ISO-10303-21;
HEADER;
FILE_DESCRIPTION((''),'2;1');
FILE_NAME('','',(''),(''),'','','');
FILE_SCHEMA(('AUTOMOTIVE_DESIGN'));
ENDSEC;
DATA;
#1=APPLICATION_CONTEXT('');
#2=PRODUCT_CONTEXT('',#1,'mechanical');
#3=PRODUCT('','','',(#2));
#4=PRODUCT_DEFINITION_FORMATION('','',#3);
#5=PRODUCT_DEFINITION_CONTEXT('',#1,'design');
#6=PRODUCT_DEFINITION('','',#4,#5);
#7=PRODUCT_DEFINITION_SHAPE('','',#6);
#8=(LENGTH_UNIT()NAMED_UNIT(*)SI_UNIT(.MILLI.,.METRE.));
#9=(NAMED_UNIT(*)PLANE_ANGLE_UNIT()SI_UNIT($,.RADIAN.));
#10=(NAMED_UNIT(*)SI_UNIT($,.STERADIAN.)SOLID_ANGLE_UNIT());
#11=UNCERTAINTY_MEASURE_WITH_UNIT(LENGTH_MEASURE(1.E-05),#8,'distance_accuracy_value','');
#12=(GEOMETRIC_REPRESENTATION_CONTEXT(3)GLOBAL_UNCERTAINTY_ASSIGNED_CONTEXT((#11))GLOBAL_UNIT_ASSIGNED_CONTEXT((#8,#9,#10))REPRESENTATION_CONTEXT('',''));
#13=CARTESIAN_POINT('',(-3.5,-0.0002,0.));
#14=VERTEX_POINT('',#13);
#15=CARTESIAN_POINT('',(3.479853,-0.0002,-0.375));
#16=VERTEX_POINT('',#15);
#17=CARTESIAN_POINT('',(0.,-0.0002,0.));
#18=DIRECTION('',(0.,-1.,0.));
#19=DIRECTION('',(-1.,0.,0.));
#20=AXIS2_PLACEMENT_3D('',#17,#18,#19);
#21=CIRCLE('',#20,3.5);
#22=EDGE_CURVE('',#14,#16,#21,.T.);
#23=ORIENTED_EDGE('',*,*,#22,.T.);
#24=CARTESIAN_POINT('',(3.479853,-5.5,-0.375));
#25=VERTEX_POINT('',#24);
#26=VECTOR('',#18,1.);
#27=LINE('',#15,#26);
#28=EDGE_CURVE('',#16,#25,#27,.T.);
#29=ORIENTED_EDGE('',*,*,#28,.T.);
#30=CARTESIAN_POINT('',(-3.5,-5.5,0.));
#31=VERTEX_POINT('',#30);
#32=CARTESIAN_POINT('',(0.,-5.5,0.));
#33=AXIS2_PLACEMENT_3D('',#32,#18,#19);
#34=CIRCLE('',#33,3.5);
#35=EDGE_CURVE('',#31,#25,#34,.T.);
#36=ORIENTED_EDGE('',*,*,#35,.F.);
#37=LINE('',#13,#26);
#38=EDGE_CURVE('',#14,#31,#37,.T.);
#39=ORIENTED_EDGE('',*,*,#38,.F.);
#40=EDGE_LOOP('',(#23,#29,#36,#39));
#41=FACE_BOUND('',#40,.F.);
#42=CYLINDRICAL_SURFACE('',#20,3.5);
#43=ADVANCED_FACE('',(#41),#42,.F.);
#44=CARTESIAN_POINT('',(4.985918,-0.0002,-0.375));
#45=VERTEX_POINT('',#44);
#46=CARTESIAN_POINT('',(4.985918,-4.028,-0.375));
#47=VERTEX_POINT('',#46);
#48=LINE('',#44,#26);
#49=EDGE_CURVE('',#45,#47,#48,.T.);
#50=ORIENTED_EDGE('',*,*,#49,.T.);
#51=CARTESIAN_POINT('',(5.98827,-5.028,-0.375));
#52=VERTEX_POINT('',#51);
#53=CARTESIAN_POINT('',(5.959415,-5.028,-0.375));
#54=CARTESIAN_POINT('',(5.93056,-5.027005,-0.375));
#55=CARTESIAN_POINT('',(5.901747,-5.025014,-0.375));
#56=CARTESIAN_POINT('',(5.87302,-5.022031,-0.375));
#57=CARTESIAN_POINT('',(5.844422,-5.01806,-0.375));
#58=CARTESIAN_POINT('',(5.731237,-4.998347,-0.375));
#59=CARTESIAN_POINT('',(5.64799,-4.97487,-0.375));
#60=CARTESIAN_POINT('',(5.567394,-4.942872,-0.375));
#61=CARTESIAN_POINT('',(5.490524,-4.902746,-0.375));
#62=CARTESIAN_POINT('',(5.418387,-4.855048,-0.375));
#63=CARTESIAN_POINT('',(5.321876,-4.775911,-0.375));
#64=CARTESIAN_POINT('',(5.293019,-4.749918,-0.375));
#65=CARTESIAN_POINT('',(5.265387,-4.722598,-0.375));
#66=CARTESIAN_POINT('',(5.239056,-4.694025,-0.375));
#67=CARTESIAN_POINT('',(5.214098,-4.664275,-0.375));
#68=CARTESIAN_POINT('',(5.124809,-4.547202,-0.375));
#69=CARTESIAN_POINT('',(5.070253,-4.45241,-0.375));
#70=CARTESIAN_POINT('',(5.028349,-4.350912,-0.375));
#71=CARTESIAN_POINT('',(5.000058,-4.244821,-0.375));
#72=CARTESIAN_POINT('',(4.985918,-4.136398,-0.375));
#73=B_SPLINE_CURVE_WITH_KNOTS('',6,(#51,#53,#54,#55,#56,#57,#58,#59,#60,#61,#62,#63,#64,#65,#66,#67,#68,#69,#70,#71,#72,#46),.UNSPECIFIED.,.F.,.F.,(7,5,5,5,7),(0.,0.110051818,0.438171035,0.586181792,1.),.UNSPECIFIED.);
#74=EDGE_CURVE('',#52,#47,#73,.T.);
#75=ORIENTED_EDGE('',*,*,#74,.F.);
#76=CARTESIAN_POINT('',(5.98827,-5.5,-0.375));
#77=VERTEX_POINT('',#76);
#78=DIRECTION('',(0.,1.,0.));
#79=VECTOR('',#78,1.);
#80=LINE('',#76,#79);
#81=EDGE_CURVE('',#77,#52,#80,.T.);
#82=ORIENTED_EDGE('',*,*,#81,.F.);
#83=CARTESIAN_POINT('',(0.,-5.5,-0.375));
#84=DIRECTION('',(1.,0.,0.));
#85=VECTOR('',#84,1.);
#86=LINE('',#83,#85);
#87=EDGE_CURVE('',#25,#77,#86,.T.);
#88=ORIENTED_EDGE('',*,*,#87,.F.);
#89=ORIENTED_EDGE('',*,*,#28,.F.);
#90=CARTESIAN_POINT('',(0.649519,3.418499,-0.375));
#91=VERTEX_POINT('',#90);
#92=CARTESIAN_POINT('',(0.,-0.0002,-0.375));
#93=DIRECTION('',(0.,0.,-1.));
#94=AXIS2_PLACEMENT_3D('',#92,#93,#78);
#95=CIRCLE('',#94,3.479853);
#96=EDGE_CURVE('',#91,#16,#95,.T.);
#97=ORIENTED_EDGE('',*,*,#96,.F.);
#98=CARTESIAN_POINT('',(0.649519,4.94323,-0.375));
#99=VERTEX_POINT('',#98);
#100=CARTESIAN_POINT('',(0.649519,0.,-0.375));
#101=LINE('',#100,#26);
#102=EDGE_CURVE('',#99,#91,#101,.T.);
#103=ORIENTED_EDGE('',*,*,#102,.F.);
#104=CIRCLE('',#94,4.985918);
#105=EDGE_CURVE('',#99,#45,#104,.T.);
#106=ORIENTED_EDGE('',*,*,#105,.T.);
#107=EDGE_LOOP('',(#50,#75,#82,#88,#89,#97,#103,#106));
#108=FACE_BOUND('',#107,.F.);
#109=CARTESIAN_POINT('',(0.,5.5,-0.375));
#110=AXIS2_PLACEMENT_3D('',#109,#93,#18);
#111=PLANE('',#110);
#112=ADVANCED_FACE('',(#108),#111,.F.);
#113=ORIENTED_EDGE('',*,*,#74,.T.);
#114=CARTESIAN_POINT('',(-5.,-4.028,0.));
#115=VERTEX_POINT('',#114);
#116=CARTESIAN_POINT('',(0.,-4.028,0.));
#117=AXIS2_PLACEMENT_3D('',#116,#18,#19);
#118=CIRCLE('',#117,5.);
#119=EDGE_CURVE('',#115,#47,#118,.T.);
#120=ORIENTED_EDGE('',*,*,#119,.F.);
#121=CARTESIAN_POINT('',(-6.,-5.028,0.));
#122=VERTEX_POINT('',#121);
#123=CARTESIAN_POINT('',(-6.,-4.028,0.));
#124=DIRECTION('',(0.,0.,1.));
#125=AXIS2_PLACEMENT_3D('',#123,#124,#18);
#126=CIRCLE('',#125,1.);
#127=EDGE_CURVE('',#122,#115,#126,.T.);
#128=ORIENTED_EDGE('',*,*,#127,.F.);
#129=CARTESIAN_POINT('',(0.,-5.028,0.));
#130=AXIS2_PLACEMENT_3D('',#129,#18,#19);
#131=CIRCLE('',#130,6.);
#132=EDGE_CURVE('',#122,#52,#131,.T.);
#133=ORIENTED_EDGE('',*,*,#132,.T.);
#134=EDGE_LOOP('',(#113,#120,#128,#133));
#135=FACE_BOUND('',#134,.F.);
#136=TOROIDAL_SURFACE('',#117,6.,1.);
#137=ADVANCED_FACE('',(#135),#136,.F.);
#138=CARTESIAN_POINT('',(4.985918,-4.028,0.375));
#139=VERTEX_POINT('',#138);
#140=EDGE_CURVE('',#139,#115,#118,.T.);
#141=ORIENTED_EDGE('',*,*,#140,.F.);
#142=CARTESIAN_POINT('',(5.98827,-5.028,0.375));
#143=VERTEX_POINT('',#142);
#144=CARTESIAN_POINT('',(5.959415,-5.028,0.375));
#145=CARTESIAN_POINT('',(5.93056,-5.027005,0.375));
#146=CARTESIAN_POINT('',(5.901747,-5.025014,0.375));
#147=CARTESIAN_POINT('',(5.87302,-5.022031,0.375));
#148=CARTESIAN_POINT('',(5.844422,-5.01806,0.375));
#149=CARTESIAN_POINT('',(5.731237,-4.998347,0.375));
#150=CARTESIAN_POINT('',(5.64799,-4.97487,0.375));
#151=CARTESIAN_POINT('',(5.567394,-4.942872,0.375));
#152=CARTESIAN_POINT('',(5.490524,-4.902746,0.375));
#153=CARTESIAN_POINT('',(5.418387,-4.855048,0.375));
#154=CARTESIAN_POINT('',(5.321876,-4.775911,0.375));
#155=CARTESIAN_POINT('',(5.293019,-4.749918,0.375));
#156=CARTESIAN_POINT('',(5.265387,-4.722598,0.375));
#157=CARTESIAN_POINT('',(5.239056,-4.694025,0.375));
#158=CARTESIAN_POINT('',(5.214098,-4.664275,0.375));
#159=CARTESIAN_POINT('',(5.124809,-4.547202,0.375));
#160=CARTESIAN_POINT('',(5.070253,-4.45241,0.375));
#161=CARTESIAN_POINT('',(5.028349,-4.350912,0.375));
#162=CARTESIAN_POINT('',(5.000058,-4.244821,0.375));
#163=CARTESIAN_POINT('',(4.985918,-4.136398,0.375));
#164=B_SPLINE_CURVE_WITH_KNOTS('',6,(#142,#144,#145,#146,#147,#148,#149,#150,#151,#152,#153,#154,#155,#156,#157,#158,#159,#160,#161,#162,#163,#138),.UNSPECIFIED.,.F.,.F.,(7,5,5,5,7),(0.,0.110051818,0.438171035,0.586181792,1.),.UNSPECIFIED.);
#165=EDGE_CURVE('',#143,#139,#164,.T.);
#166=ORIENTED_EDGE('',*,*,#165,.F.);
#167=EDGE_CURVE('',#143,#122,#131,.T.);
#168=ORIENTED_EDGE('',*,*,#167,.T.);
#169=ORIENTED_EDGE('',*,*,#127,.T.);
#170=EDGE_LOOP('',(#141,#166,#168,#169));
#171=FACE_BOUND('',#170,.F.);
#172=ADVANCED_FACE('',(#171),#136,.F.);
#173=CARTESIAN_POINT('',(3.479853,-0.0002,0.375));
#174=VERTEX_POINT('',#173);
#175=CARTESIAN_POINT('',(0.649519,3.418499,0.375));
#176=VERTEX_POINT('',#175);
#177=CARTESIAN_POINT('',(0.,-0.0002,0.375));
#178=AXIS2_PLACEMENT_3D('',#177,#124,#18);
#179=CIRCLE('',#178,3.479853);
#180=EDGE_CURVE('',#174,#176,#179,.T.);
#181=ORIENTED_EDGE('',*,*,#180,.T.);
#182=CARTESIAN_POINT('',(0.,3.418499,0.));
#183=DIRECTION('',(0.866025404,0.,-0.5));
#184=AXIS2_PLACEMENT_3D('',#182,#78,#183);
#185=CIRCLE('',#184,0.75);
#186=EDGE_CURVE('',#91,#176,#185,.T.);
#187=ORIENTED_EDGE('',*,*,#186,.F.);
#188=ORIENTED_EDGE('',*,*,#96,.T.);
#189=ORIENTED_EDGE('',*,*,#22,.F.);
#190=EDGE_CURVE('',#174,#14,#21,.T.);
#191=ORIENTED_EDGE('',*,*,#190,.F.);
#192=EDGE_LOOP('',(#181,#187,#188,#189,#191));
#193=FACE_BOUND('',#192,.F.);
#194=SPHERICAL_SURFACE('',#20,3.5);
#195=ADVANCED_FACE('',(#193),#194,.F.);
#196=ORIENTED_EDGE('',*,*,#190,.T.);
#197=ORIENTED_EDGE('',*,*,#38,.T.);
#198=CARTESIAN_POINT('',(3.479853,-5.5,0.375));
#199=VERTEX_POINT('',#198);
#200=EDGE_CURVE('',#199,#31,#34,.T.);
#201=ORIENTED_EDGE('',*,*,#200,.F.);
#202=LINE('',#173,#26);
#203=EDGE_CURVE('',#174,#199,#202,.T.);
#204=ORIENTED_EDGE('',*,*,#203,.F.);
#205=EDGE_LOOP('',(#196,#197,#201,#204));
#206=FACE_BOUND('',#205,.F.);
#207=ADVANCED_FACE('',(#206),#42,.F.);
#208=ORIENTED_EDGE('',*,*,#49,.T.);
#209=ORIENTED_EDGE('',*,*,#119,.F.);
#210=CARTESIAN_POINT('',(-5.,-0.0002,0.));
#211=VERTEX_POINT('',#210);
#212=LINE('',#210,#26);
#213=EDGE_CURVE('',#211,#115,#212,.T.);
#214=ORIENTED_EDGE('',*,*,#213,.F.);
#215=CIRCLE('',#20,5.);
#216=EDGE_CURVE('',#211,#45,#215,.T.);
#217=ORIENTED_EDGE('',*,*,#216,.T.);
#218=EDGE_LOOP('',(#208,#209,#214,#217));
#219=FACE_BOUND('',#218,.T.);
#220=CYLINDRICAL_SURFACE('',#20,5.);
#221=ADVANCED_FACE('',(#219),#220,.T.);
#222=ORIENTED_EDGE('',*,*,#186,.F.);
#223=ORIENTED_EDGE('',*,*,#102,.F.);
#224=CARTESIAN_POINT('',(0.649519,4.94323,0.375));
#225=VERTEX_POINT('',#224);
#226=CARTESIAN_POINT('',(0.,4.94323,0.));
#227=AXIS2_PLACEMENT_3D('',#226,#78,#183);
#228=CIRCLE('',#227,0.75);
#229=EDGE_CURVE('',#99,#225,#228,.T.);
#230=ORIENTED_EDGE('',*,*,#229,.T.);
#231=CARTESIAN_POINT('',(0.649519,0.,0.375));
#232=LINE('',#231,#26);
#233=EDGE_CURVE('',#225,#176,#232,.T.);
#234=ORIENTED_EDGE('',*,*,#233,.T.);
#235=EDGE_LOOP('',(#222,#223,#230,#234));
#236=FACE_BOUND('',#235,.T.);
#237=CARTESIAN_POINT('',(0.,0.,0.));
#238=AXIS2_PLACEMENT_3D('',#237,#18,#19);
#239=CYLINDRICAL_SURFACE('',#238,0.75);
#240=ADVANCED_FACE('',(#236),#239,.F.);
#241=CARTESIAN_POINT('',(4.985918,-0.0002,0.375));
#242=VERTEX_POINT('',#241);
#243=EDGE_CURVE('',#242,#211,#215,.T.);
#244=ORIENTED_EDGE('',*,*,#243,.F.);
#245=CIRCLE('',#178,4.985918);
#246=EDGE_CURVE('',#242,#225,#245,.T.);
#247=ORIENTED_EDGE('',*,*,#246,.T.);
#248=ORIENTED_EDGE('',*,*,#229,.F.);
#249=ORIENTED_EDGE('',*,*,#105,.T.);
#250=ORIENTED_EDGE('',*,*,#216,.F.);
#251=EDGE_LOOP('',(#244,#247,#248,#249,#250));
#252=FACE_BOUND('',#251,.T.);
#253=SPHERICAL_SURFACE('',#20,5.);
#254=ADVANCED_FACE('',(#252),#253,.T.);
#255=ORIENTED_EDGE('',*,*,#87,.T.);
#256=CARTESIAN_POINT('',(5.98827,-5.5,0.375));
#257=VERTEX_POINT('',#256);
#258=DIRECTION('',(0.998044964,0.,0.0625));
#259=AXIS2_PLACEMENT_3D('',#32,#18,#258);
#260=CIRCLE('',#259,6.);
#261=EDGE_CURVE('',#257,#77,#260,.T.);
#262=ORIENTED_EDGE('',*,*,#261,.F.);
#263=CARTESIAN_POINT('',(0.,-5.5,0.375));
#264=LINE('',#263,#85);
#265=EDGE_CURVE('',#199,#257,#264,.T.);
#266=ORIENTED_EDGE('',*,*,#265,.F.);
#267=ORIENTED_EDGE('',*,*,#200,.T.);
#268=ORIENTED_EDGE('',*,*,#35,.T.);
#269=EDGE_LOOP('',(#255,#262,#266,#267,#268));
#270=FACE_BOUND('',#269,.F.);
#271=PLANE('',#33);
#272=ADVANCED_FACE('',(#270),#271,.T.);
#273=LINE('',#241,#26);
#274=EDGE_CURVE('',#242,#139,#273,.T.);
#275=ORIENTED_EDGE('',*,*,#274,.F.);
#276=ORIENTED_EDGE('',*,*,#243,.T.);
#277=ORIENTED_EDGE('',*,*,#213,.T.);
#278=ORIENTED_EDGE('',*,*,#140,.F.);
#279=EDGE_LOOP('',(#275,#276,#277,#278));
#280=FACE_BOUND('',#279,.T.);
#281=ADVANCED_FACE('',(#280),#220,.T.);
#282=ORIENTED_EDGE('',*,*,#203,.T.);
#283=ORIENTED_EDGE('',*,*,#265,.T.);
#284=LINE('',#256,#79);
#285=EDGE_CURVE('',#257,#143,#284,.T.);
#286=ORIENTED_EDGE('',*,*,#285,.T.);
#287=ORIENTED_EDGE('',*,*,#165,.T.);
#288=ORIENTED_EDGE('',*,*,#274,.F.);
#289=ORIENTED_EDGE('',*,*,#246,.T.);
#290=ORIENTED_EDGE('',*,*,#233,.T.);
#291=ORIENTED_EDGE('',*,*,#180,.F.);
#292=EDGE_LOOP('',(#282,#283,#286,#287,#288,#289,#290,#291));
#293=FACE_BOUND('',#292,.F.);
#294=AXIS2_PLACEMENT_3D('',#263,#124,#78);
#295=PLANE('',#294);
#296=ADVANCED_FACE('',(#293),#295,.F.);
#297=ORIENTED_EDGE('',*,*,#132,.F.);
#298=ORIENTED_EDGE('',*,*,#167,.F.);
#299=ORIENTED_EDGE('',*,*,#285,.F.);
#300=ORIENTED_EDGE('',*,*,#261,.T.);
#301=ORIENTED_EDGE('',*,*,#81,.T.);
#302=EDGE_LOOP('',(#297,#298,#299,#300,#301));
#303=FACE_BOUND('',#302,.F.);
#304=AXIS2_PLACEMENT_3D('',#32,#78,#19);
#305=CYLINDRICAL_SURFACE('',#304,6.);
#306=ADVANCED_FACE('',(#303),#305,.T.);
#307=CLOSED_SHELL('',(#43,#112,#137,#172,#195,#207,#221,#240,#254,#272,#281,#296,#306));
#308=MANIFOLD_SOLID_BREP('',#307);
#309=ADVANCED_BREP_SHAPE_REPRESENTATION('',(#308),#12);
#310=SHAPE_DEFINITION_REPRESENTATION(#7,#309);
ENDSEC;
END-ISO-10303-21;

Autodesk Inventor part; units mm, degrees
ref_plane "YZ Plane" through (0, 0, 0) normal (1, 0, 0) x (0, 1, 0)
ref_plane "XZ Plane" through (0, 0, 0) normal (0, 1, 0) x (-1, 0, 0)
ref_plane "XY Plane" through (0, 0, 0) normal (0, 0, 1) x (1, 0, 0)
sketch "Sketch1" plane through (0, 0, 0) normal (0, 0, 1) x (1, 0, 0)
  arc A0 (0, 4.9998) -> (-5, -0.0002) centre (0, -0.0002) ccw
  arc A1 (-6, -5.028) -> (-5, -4.028) centre (-6, -4.028) ccw
  line L0 (0, -5.5) -> (-6, -5.5)
  line L1 (-6, -5.5) -> (-6, -5.028)
  line L2 (-5, -0.0002) -> (-5, -4.028)
  arc A2 (0, 3.4998) -> (-3.5, -0.0002) centre (0, -0.0002) ccw
  line L3 (-3.5, -0.0002) -> (-3.5, -5.5)
  line L4 (0, 4.9998) -> (0, -5.5)
  point P0 (0, 0)
  dimension "d7" = 90
  dimension "d9" = 6
  dimension "d13" = 1
  dimension "d16" = 10.4998
  dimension "d17" = 5
  dimension "d18" = 3.5
  dimension "d19" = 90
  dimension "d21" = 5.5
  dimension "d22" = 5
  dimension "d23" = 3.5
revolve "Revolution1" add sketch "Sketch1" angle 360 about axis through (0, 4.9998, 0) along (0, -1, 0) contours L4 A2 L3 L0 L1 A1 L2 A0
sketch "Sketch2" plane through (0, 0, 0) normal (0, 1, 0) x (-1, 0, 0)
  point P0 (0, 0)
sketch "Sketch3" plane through (0, 0, 0) normal (0, 1, 0) x (-1, 0, 0)
  circle A0 centre (0, 0) radius 0.75
  dimension "d25" = 1.5
extrude "Extrusion1" cut sketch "Sketch3" along normal up to surface
sketch "Sketch4" plane through (0, 0, 0) normal (1, 0, 0) x (0, 1, 0)
  line L0 (-5.5, -6) -> (-5.5, 6) projected
  line L1 (5.5, -0.375) -> (-5.5, -0.375)
  line L2 (-5.5, -0.375) -> (-5.5, 0.375)
  line L3 (-5.5, 0.375) -> (5.5, 0.375)
  line L4 (5.5, 0.375) -> (5.5, -0.375)
  line L5 (5.5, -0.375) -> (-5.5, 0.375) construction
  line L6 (-5.5, -0.375) -> (5.5, 0.375) construction
  point P0 (0, 0)
  dimension "d28" = 0.75
extrude "Extrusion2" cut sketch "Sketch4" along normal up to surface
properties part number "Puller"
